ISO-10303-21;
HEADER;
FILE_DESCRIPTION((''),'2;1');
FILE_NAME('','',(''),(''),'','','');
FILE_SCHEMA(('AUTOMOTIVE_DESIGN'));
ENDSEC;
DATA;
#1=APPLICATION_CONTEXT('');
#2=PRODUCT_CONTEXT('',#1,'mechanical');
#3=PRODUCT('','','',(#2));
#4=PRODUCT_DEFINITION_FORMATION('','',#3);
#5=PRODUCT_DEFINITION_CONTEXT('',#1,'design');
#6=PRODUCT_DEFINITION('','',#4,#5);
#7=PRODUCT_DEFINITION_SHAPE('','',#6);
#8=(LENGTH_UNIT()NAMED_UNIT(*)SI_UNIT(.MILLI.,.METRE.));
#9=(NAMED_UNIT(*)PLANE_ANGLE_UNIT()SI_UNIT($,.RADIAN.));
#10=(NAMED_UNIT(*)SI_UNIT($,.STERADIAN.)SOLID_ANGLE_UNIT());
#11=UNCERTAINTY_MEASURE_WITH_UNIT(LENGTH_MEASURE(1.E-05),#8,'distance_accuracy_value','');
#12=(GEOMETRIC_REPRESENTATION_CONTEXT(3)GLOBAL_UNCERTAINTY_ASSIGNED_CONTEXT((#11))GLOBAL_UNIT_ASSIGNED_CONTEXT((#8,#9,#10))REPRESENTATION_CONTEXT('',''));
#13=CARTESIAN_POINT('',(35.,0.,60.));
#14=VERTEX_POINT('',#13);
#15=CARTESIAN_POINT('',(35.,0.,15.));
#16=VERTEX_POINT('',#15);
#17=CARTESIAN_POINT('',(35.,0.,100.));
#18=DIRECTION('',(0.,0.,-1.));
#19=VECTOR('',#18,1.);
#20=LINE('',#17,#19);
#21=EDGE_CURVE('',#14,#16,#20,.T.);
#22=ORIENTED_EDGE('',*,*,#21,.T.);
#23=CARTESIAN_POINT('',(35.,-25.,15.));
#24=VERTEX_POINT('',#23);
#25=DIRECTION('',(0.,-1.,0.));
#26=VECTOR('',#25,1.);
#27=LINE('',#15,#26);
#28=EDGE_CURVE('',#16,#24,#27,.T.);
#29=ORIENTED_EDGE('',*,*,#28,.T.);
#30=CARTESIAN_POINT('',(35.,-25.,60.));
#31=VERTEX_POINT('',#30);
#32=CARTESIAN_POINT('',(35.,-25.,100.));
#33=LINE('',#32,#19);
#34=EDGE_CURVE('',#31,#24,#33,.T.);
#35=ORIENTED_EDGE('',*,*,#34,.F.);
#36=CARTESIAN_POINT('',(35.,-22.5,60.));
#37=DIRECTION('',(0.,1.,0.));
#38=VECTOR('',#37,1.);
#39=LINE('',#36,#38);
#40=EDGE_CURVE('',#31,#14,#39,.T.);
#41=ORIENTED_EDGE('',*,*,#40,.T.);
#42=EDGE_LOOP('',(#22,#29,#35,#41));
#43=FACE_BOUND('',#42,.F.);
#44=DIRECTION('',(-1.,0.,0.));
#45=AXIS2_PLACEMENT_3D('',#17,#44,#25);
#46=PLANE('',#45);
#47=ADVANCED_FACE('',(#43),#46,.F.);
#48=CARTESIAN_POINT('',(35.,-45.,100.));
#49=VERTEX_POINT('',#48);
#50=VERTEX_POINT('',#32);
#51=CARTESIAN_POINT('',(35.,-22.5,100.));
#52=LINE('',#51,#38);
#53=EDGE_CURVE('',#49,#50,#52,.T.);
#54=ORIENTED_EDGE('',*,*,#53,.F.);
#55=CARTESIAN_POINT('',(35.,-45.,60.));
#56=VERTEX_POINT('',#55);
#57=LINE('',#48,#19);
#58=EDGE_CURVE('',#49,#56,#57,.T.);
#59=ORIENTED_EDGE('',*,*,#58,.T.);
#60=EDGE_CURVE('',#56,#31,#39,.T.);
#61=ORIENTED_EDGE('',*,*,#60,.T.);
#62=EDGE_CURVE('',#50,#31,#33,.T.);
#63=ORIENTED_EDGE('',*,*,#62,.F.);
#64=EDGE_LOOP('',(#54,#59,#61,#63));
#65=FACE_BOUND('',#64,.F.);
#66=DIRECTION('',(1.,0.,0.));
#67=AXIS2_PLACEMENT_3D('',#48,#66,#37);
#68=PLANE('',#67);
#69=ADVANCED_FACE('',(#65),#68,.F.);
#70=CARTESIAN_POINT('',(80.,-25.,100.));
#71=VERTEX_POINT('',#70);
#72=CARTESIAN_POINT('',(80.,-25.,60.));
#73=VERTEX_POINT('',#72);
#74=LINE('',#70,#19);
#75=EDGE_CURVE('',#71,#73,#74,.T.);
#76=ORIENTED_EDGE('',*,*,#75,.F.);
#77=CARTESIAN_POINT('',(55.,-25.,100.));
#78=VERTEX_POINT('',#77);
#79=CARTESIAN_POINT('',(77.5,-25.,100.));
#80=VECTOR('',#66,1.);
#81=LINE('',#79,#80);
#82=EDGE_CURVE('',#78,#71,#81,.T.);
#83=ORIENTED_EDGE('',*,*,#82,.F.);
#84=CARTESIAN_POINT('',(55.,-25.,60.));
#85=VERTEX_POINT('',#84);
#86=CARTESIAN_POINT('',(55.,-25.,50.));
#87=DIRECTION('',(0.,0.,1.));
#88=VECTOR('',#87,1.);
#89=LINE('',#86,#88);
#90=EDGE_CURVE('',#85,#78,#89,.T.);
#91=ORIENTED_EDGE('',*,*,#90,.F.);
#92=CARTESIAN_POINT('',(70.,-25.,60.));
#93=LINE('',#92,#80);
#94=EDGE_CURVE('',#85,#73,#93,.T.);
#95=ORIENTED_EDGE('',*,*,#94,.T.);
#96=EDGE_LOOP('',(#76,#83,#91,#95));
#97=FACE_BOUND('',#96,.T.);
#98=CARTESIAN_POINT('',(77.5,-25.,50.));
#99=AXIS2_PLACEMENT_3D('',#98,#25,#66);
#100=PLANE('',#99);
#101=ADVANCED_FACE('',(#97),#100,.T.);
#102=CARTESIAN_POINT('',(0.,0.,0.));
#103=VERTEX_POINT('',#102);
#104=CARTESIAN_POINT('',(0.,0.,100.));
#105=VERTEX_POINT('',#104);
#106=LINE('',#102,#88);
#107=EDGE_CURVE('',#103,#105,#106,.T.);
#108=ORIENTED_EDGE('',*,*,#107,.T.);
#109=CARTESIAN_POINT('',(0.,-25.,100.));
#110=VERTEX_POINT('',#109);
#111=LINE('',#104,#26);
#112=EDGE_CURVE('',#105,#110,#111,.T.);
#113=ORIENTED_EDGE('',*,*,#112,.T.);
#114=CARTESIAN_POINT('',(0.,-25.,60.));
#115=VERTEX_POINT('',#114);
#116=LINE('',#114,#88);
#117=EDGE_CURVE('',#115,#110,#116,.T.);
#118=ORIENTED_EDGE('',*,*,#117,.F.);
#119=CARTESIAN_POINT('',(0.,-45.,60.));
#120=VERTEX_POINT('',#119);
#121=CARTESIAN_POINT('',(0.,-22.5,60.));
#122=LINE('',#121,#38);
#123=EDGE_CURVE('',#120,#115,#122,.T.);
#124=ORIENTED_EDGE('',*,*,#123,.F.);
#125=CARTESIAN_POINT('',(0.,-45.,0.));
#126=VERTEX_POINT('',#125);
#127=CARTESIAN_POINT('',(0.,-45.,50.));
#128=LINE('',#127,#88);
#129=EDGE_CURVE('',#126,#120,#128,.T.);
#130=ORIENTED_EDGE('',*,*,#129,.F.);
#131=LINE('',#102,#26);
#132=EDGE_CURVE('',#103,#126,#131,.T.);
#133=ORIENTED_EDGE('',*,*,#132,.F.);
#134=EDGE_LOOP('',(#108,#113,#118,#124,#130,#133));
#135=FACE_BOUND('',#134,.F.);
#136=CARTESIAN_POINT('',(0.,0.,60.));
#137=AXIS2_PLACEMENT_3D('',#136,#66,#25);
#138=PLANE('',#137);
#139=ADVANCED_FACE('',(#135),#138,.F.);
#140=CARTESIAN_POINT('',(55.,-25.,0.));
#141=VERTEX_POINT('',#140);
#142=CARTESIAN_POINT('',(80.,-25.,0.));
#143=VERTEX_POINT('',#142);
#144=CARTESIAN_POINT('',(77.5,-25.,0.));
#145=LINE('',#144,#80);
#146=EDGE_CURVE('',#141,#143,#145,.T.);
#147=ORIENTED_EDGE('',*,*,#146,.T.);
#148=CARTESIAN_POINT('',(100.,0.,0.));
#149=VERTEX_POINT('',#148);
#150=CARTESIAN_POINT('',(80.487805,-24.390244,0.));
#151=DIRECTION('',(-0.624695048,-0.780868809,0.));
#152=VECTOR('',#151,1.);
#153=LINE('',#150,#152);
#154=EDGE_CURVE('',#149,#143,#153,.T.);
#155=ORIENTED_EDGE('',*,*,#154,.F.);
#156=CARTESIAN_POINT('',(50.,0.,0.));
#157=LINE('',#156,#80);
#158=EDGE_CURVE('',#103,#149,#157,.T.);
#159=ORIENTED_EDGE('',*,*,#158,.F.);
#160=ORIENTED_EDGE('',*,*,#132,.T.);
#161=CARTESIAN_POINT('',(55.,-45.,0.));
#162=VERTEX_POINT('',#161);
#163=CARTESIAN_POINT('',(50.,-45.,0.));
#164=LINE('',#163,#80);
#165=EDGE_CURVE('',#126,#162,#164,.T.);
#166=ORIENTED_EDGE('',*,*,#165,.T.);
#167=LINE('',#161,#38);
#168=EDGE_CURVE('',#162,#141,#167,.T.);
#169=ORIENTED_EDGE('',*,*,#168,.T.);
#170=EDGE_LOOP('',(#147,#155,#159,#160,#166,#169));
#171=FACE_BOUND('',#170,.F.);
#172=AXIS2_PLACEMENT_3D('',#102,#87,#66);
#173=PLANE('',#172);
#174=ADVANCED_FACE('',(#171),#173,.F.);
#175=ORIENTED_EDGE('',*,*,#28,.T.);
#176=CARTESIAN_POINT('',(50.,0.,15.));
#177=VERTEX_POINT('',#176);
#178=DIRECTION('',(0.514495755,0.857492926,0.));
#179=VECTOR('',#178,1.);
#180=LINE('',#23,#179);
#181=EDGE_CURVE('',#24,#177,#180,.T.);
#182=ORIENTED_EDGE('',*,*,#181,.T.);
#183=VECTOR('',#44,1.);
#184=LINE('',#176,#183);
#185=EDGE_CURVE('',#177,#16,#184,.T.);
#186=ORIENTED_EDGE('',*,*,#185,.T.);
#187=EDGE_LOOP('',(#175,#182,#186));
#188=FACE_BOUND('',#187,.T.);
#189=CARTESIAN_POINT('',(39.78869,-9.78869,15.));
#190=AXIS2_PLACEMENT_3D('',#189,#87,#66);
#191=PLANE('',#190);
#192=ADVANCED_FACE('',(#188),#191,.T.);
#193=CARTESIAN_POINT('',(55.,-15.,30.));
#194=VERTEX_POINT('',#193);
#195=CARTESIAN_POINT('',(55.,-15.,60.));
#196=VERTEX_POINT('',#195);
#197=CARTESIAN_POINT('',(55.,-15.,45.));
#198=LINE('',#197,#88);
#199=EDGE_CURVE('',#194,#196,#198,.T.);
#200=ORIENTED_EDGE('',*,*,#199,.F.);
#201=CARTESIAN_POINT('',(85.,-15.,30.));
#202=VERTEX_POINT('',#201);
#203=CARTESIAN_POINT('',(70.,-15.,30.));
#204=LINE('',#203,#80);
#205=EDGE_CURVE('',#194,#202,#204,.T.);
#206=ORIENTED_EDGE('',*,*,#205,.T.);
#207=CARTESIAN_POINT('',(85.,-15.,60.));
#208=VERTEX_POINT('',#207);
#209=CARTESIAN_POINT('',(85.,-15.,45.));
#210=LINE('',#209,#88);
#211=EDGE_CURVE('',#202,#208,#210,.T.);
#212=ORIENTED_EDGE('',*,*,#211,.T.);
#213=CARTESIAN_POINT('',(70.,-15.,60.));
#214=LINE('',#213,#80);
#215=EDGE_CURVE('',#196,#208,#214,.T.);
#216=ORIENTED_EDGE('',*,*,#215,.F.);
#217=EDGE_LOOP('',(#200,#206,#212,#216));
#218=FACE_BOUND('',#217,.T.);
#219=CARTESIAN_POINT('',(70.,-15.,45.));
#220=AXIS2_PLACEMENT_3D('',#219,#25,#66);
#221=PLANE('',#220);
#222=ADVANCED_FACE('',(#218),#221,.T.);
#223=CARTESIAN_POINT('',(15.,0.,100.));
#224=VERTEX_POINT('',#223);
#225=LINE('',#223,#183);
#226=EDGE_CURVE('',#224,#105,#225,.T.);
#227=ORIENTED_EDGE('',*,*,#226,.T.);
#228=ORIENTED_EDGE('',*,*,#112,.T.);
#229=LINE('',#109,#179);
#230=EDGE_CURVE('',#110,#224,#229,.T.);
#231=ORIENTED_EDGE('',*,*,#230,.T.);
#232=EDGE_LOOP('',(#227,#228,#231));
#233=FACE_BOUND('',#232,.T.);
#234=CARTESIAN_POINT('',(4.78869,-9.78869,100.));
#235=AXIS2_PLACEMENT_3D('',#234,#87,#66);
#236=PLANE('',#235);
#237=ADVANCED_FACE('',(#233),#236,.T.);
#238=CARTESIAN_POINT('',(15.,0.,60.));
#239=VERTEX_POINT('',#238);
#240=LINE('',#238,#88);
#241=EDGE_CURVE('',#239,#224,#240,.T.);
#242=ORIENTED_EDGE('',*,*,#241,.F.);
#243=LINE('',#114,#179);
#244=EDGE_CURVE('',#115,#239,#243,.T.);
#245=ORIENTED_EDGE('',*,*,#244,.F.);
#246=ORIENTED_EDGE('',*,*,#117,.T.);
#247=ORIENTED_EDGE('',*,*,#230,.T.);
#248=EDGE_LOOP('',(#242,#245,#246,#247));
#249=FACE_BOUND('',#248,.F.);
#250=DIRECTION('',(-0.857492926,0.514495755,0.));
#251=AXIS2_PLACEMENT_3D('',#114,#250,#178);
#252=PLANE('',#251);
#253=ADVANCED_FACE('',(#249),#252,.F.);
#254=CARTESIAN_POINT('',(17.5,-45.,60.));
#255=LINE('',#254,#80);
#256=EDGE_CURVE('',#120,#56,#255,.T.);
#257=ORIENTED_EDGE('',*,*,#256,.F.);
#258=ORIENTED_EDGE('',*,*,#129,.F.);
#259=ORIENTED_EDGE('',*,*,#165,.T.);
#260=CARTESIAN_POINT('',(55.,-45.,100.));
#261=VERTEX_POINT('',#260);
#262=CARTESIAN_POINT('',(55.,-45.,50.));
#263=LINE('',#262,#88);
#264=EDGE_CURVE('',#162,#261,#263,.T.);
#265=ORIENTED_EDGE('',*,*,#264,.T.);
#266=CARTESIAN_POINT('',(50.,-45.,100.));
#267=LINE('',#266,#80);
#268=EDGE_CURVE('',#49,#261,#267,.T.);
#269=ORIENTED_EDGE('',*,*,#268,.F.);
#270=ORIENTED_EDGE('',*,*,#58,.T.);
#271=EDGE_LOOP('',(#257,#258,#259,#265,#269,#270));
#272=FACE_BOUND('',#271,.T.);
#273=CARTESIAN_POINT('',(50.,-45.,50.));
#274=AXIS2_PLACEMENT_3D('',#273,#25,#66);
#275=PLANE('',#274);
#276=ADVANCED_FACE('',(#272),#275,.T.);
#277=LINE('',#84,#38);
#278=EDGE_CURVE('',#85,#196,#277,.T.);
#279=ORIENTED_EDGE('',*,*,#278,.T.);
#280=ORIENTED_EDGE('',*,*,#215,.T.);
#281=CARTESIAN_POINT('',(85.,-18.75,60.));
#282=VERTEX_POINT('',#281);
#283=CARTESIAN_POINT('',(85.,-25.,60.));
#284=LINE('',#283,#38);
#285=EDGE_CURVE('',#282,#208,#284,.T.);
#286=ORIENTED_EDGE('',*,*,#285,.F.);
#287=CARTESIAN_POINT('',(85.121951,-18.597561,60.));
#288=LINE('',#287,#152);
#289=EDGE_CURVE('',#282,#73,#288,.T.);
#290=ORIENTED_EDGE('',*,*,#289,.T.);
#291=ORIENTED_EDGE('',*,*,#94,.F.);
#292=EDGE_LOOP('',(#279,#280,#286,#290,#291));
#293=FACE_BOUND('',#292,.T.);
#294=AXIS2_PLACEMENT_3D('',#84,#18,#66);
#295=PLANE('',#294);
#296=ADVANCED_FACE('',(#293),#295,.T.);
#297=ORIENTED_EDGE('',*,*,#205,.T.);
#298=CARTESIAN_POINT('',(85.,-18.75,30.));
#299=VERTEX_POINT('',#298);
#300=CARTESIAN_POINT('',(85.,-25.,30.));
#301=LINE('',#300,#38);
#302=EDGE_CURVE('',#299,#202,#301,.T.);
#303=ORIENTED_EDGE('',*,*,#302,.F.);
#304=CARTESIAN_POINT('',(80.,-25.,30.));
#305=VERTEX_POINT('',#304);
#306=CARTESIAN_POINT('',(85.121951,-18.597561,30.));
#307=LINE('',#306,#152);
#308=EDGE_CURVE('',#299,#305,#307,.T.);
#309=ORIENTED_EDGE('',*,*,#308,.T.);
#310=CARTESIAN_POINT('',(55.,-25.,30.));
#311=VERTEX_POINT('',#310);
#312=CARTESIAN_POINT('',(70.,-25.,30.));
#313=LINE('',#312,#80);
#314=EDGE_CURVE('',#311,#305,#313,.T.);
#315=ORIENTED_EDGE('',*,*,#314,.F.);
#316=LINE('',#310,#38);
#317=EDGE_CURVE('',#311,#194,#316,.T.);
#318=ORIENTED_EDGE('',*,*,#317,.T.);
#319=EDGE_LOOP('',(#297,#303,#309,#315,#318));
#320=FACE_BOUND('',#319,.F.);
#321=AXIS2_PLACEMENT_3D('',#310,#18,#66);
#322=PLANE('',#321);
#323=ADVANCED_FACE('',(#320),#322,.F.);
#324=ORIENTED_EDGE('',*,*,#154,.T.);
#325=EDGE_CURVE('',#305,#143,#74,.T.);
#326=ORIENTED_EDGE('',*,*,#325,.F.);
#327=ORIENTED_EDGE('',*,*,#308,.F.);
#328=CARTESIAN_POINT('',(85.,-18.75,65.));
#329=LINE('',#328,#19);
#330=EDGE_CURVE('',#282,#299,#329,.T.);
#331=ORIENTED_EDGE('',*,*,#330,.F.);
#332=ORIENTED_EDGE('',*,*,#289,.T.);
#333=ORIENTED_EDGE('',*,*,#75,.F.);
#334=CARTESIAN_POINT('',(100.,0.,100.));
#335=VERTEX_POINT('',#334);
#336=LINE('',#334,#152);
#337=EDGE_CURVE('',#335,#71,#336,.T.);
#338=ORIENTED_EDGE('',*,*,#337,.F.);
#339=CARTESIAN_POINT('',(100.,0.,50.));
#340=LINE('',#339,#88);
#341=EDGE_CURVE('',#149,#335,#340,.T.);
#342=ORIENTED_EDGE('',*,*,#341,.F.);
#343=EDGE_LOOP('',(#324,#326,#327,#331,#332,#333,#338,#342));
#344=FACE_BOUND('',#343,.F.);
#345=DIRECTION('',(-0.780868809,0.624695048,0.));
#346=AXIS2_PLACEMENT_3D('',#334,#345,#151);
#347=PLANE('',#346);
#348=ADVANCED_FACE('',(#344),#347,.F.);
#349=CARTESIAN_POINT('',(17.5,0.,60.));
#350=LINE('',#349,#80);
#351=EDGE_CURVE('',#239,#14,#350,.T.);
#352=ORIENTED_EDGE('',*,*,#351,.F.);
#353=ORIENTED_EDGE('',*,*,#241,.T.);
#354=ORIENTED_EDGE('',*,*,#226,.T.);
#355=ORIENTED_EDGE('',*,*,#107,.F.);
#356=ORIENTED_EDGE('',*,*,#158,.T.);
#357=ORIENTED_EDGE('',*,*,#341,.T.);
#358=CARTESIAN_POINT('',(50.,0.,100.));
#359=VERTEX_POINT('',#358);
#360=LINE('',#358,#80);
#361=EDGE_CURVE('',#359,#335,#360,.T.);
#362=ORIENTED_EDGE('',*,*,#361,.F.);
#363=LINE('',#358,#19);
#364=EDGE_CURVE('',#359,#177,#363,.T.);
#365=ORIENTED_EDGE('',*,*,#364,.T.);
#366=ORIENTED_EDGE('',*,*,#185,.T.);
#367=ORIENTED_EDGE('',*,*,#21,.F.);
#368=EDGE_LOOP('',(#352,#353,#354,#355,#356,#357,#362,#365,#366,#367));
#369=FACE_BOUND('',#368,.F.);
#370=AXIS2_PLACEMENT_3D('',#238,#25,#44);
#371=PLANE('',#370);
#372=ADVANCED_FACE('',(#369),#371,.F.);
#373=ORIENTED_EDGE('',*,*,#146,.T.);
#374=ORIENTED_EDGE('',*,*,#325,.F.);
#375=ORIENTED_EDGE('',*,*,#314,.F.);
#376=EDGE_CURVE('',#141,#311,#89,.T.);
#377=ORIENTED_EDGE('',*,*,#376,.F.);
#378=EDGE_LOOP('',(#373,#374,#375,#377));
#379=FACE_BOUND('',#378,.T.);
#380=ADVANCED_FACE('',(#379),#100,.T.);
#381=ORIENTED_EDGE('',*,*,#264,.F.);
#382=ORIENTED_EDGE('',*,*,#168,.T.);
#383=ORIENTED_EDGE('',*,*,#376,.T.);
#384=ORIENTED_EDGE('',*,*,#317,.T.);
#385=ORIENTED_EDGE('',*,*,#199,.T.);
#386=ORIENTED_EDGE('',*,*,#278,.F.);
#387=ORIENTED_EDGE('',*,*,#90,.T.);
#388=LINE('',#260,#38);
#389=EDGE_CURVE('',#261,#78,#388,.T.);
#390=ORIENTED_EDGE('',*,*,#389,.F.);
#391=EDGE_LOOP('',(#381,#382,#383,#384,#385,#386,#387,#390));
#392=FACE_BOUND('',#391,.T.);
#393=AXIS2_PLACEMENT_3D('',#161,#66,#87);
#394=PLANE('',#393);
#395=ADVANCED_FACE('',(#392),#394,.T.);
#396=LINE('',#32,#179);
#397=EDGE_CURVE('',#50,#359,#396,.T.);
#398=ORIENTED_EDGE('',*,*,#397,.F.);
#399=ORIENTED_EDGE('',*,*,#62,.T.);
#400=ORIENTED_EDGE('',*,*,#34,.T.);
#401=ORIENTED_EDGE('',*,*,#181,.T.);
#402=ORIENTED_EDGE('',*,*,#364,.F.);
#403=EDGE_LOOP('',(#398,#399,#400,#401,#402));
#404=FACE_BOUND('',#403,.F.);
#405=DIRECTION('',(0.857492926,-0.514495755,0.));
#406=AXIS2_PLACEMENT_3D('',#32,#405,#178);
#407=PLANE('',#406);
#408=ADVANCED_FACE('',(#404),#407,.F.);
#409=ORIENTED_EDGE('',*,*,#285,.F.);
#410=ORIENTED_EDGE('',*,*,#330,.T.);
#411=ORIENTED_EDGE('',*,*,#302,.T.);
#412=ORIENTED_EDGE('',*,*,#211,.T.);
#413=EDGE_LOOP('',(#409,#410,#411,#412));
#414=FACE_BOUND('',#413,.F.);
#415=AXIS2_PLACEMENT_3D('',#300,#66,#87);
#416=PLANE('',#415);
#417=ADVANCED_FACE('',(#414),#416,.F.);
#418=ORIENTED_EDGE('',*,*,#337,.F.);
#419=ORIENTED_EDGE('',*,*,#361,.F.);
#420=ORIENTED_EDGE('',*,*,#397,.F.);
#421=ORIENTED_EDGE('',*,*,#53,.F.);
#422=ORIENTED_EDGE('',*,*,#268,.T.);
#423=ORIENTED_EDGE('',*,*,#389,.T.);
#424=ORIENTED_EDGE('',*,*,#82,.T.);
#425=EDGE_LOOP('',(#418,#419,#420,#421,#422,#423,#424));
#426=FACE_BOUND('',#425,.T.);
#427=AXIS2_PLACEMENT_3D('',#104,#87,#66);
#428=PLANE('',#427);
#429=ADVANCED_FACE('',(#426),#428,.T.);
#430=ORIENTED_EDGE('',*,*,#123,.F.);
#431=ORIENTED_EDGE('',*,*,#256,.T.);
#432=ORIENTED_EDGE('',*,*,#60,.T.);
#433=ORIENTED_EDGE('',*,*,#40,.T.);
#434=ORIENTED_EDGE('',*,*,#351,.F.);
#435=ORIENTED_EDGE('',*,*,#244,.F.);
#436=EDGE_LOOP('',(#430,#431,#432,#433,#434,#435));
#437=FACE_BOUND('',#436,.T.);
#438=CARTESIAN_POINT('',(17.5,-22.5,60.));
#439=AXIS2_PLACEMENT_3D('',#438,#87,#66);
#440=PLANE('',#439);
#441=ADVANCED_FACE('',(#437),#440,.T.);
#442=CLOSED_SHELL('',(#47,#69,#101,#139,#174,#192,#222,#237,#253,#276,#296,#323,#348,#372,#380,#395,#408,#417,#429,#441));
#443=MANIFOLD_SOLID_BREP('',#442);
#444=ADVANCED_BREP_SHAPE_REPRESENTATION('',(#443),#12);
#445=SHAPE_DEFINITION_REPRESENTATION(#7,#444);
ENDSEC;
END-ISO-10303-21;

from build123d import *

# Parameters (mm, degrees)
F0_W      = 100
F0_H      = 100
F1_DEPTH  = 45
F2_W      = 45
F2_H      = 100
F3_DEPTH  = 20
F4_W      = 35
F4_H      = 45
F5_DEPTH  = 40
F7_DEPTH  = 40
F10_DEPTH = 100.001
F8_W      = 30
F8_H      = 30
F11_DEPTH = 10
F13_DEPTH = 85


with BuildPart() as f1:
    # F0 (on Front) → F1 (new body)
    with BuildSketch(Plane.XZ):
        with Locations((50, 50)):
            Rectangle(F0_W, F0_H)
    extrude(amount=F1_DEPTH)

    # F2 (on face) → F3 (cut)
    with BuildSketch(Plane.XZ.offset(45)):
        with Locations((77.5, 50)):
            Rectangle(F2_W, F2_H)
    extrude(amount=-F3_DEPTH, mode=Mode.SUBTRACT)

    # F4 (on face) → F5 (cut)
    with BuildSketch(Plane.XY.offset(100)):
        with Locations((17.5, -22.5)):
            Rectangle(F4_W, F4_H)
    extrude(amount=-F5_DEPTH, mode=Mode.SUBTRACT)

    # F6 (on face) → F7 (join)
    with BuildSketch(Plane.XY.offset(60)):
        Polygon((15, 0), (0, 0), (0, -25), align=None)
    extrude(amount=F7_DEPTH)

    # F9 (on face) → F10 (cut, through all)
    with BuildSketch(Plane.XY.offset(100)):
        Polygon((100, -25), (100, 0), (80, -25), align=None)
    extrude(amount=-F10_DEPTH, mode=Mode.SUBTRACT)

    # F8 (on face) → F11 (cut)
    with BuildSketch(Plane.XZ.offset(25)):
        with Locations((70, 45)):
            Rectangle(F8_W, F8_H)
    extrude(amount=-F11_DEPTH, mode=Mode.SUBTRACT)

    # F12 (on face) → F13 (cut)
    with BuildSketch(Plane.XY.offset(100)):
        Polygon((50, 0), (35, 0), (35, -25), align=None)
    extrude(amount=-F13_DEPTH, mode=Mode.SUBTRACT)


solid = f1.part
